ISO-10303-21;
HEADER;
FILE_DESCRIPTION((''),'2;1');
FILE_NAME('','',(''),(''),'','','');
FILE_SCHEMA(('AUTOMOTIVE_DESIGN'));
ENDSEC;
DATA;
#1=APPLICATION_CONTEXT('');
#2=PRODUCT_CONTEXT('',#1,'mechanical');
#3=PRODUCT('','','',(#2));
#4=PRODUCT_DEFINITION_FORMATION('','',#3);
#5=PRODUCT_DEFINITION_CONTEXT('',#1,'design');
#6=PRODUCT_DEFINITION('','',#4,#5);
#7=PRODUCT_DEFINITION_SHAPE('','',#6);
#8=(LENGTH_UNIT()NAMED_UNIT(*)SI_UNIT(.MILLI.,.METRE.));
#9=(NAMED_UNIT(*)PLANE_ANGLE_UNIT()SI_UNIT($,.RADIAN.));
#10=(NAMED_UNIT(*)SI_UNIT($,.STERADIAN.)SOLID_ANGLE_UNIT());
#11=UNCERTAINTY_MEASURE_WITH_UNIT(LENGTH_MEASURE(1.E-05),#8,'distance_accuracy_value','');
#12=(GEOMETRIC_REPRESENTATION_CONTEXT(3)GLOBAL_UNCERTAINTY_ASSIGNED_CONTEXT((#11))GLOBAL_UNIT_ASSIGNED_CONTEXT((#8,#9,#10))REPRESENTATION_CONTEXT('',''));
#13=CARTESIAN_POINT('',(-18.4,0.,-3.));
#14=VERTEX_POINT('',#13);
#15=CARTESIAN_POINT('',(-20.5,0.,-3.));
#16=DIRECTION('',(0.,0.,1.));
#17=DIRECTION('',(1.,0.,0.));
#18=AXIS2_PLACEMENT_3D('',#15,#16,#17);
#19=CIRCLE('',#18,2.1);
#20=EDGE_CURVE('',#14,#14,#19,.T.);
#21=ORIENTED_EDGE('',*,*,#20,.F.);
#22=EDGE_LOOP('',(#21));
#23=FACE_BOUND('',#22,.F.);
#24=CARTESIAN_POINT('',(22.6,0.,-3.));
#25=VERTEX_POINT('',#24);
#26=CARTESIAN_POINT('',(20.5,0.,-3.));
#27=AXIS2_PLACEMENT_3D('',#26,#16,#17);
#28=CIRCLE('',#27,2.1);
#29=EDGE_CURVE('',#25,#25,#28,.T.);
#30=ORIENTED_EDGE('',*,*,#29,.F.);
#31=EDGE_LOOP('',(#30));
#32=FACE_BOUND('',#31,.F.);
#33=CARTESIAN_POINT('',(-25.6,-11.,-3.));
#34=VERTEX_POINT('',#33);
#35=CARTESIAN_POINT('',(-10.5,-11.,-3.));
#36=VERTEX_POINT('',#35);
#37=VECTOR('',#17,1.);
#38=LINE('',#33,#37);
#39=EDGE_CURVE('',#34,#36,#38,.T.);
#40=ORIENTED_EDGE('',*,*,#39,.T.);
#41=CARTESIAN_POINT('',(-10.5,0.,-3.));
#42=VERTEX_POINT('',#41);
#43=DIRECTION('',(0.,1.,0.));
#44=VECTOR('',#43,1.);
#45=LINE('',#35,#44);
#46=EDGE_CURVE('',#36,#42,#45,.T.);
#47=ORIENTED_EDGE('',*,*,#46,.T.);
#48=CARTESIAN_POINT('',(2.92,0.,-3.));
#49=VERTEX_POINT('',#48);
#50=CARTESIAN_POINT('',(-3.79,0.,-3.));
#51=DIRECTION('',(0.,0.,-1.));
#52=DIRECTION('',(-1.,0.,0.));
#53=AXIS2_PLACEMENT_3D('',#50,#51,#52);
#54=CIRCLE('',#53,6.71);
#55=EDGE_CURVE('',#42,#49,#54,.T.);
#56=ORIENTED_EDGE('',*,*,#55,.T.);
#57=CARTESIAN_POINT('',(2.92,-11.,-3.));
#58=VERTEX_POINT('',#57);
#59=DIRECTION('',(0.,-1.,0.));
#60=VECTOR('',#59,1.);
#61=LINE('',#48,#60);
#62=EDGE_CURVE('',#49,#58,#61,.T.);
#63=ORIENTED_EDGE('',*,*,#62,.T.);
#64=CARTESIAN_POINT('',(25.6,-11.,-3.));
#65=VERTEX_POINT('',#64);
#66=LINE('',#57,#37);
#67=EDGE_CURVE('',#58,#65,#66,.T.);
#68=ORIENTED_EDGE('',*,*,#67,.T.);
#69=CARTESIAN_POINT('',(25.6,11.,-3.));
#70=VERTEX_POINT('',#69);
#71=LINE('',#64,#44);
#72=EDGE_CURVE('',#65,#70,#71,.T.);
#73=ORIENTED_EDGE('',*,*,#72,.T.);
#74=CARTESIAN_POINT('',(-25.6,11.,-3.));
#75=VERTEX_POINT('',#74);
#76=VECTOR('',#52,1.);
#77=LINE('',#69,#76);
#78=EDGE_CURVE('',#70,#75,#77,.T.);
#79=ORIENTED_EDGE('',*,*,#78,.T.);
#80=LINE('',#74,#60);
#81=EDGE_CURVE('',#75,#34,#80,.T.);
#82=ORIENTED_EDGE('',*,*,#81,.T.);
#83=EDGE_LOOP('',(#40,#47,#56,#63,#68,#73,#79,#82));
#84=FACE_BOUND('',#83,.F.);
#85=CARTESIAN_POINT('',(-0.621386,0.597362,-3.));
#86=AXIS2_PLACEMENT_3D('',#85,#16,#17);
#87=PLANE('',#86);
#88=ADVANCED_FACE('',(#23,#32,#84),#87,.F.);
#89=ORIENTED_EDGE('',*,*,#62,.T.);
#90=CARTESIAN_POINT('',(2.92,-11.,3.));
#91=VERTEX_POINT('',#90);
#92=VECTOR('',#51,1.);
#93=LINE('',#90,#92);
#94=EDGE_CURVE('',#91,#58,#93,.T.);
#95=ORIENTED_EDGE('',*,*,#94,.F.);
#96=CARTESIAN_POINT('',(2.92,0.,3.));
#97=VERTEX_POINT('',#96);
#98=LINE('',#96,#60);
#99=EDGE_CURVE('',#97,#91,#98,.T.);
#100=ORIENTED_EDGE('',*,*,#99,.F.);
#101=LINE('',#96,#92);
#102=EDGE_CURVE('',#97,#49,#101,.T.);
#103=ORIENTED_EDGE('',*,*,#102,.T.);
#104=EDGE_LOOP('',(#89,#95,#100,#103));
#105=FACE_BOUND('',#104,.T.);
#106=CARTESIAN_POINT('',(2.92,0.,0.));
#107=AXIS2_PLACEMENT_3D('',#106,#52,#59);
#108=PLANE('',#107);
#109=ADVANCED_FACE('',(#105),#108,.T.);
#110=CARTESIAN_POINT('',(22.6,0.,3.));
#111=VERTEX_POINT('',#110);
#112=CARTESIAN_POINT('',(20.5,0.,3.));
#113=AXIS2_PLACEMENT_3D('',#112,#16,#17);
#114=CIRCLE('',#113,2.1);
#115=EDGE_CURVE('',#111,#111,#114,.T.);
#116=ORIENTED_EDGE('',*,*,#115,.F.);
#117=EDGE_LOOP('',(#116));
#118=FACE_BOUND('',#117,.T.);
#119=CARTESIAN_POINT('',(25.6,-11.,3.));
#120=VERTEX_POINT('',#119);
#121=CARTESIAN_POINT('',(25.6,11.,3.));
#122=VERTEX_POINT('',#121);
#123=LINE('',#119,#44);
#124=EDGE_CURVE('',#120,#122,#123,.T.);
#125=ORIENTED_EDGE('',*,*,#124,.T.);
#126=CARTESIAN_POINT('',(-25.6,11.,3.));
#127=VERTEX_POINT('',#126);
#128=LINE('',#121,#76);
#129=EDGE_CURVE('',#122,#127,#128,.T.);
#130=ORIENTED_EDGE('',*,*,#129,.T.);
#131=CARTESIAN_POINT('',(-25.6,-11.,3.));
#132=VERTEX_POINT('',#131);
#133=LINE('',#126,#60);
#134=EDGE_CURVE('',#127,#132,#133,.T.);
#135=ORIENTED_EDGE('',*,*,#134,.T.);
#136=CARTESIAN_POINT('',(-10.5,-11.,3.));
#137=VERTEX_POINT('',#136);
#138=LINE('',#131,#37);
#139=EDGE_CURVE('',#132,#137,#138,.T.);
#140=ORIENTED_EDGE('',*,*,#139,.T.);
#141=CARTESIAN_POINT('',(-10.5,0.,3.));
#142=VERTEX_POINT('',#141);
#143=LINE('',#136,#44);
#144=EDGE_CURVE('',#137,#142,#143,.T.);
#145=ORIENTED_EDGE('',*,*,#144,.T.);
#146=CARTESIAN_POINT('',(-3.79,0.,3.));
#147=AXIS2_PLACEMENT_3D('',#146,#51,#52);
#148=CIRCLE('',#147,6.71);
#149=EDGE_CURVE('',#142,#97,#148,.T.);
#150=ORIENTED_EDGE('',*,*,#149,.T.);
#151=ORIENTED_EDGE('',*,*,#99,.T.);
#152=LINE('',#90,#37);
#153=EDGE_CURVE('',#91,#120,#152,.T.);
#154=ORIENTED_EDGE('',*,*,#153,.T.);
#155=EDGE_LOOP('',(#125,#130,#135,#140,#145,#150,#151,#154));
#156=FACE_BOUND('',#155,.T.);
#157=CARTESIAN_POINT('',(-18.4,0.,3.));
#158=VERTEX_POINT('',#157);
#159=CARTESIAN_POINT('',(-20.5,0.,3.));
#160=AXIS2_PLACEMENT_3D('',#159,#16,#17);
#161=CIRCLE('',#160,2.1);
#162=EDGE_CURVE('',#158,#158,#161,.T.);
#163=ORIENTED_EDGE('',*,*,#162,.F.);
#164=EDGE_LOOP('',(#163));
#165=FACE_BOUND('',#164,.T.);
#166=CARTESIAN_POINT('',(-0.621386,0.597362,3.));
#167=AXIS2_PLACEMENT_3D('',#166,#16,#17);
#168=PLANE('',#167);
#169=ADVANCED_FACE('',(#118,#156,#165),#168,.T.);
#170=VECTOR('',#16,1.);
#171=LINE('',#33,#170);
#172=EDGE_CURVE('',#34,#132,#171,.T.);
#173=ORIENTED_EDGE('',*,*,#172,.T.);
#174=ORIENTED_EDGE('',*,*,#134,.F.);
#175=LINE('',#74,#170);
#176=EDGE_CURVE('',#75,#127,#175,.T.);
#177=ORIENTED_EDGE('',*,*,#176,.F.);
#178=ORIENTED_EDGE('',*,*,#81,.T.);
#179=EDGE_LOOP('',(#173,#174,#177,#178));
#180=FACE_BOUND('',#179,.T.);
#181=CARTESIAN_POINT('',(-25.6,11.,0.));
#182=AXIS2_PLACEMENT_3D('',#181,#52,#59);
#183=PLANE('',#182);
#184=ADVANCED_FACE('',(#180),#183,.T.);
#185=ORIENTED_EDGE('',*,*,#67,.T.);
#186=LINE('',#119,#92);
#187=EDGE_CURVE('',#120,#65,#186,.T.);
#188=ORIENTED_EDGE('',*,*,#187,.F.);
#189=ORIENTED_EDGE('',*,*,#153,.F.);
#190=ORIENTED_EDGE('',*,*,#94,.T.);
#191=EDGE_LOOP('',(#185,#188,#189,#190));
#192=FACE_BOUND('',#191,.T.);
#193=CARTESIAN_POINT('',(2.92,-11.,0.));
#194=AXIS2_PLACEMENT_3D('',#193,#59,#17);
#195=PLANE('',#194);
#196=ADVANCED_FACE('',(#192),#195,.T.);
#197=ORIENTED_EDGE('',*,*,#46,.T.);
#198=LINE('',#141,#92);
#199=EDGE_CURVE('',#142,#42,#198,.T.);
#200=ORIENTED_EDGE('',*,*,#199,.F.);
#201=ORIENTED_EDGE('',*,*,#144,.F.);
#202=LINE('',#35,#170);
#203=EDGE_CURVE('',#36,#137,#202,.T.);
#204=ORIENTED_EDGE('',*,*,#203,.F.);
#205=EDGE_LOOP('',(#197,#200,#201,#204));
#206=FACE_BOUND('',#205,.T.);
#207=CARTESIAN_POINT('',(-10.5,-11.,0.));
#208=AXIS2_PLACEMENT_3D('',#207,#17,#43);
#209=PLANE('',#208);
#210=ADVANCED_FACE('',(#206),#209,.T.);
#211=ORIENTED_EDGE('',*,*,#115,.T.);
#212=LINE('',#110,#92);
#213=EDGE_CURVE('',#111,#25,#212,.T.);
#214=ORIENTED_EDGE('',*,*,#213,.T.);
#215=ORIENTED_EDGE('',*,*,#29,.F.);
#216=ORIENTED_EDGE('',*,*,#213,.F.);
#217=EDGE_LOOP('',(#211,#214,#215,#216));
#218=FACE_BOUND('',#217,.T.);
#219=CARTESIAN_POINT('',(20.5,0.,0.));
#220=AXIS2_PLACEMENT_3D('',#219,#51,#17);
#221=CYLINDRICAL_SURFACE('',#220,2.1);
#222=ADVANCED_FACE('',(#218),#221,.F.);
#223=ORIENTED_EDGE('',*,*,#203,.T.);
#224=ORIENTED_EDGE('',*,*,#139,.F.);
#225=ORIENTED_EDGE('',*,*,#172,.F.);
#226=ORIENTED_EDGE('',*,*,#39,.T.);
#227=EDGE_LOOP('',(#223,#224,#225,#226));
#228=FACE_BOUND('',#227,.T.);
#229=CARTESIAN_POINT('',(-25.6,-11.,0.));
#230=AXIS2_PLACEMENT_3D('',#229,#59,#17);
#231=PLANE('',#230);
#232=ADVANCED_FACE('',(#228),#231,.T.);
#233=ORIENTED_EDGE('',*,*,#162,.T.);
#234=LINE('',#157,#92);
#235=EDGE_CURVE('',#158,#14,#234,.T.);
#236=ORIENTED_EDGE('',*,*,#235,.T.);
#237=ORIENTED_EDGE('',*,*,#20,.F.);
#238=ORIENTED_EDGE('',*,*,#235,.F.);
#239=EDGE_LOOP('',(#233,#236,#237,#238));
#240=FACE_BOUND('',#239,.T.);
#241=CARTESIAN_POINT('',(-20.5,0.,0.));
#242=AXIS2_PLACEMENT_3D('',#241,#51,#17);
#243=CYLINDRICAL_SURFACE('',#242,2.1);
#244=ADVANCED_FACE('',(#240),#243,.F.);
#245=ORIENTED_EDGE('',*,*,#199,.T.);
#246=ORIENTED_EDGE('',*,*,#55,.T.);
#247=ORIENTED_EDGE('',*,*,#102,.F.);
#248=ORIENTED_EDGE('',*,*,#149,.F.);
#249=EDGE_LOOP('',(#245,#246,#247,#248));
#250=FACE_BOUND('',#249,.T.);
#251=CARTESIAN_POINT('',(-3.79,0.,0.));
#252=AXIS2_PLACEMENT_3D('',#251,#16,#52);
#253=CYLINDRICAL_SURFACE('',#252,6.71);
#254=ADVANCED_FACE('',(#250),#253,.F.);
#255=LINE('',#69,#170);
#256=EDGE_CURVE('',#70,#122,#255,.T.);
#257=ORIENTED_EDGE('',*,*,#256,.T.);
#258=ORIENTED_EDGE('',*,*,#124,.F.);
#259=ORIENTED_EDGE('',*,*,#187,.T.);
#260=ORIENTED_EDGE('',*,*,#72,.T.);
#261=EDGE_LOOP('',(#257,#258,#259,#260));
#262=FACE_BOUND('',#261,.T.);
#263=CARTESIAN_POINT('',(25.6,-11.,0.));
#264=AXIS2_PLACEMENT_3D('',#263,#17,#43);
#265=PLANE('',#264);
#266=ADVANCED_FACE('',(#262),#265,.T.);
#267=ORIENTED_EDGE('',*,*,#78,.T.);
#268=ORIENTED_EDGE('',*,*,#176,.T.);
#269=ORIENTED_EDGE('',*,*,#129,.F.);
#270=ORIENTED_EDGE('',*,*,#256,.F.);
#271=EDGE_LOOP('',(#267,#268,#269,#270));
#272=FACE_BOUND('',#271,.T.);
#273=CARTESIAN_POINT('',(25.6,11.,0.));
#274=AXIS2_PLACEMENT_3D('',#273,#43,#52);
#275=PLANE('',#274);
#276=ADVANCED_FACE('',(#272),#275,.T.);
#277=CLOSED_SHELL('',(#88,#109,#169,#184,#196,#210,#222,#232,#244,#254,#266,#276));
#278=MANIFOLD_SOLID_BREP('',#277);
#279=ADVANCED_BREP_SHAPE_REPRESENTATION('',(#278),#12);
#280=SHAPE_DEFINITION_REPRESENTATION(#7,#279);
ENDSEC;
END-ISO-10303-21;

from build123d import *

# Parameters (mm, degrees)
F0_R     = 2.1
F1_DEPTH = 3


with BuildPart() as f1:
    # F0 (on Top) → F1 (new body, symmetric)
    with BuildSketch(Plane.XY):
        with BuildLine():
            Line((25.6, -11), (25.6, 11))
            Line((25.6, 11), (-25.6, 11))
            Line((-25.6, 11), (-25.6, -11))
            Line((-25.6, -11), (-10.5, -11))
            Line((-10.5, -11), (-10.5, 0))
            ThreePointArc((-10.5, 0), (-3.79, 6.71), (2.92, 0))
            Line((2.92, 0), (2.92, -11))
            Line((2.92, -11), (25.6, -11))
        make_face()
        with Locations((-20.5, 0)):
            Circle(F0_R, mode=Mode.SUBTRACT)
        with Locations((20.5, 0)):
            Circle(F0_R, mode=Mode.SUBTRACT)
    extrude(amount=F1_DEPTH, both=True)


solid = f1.part
